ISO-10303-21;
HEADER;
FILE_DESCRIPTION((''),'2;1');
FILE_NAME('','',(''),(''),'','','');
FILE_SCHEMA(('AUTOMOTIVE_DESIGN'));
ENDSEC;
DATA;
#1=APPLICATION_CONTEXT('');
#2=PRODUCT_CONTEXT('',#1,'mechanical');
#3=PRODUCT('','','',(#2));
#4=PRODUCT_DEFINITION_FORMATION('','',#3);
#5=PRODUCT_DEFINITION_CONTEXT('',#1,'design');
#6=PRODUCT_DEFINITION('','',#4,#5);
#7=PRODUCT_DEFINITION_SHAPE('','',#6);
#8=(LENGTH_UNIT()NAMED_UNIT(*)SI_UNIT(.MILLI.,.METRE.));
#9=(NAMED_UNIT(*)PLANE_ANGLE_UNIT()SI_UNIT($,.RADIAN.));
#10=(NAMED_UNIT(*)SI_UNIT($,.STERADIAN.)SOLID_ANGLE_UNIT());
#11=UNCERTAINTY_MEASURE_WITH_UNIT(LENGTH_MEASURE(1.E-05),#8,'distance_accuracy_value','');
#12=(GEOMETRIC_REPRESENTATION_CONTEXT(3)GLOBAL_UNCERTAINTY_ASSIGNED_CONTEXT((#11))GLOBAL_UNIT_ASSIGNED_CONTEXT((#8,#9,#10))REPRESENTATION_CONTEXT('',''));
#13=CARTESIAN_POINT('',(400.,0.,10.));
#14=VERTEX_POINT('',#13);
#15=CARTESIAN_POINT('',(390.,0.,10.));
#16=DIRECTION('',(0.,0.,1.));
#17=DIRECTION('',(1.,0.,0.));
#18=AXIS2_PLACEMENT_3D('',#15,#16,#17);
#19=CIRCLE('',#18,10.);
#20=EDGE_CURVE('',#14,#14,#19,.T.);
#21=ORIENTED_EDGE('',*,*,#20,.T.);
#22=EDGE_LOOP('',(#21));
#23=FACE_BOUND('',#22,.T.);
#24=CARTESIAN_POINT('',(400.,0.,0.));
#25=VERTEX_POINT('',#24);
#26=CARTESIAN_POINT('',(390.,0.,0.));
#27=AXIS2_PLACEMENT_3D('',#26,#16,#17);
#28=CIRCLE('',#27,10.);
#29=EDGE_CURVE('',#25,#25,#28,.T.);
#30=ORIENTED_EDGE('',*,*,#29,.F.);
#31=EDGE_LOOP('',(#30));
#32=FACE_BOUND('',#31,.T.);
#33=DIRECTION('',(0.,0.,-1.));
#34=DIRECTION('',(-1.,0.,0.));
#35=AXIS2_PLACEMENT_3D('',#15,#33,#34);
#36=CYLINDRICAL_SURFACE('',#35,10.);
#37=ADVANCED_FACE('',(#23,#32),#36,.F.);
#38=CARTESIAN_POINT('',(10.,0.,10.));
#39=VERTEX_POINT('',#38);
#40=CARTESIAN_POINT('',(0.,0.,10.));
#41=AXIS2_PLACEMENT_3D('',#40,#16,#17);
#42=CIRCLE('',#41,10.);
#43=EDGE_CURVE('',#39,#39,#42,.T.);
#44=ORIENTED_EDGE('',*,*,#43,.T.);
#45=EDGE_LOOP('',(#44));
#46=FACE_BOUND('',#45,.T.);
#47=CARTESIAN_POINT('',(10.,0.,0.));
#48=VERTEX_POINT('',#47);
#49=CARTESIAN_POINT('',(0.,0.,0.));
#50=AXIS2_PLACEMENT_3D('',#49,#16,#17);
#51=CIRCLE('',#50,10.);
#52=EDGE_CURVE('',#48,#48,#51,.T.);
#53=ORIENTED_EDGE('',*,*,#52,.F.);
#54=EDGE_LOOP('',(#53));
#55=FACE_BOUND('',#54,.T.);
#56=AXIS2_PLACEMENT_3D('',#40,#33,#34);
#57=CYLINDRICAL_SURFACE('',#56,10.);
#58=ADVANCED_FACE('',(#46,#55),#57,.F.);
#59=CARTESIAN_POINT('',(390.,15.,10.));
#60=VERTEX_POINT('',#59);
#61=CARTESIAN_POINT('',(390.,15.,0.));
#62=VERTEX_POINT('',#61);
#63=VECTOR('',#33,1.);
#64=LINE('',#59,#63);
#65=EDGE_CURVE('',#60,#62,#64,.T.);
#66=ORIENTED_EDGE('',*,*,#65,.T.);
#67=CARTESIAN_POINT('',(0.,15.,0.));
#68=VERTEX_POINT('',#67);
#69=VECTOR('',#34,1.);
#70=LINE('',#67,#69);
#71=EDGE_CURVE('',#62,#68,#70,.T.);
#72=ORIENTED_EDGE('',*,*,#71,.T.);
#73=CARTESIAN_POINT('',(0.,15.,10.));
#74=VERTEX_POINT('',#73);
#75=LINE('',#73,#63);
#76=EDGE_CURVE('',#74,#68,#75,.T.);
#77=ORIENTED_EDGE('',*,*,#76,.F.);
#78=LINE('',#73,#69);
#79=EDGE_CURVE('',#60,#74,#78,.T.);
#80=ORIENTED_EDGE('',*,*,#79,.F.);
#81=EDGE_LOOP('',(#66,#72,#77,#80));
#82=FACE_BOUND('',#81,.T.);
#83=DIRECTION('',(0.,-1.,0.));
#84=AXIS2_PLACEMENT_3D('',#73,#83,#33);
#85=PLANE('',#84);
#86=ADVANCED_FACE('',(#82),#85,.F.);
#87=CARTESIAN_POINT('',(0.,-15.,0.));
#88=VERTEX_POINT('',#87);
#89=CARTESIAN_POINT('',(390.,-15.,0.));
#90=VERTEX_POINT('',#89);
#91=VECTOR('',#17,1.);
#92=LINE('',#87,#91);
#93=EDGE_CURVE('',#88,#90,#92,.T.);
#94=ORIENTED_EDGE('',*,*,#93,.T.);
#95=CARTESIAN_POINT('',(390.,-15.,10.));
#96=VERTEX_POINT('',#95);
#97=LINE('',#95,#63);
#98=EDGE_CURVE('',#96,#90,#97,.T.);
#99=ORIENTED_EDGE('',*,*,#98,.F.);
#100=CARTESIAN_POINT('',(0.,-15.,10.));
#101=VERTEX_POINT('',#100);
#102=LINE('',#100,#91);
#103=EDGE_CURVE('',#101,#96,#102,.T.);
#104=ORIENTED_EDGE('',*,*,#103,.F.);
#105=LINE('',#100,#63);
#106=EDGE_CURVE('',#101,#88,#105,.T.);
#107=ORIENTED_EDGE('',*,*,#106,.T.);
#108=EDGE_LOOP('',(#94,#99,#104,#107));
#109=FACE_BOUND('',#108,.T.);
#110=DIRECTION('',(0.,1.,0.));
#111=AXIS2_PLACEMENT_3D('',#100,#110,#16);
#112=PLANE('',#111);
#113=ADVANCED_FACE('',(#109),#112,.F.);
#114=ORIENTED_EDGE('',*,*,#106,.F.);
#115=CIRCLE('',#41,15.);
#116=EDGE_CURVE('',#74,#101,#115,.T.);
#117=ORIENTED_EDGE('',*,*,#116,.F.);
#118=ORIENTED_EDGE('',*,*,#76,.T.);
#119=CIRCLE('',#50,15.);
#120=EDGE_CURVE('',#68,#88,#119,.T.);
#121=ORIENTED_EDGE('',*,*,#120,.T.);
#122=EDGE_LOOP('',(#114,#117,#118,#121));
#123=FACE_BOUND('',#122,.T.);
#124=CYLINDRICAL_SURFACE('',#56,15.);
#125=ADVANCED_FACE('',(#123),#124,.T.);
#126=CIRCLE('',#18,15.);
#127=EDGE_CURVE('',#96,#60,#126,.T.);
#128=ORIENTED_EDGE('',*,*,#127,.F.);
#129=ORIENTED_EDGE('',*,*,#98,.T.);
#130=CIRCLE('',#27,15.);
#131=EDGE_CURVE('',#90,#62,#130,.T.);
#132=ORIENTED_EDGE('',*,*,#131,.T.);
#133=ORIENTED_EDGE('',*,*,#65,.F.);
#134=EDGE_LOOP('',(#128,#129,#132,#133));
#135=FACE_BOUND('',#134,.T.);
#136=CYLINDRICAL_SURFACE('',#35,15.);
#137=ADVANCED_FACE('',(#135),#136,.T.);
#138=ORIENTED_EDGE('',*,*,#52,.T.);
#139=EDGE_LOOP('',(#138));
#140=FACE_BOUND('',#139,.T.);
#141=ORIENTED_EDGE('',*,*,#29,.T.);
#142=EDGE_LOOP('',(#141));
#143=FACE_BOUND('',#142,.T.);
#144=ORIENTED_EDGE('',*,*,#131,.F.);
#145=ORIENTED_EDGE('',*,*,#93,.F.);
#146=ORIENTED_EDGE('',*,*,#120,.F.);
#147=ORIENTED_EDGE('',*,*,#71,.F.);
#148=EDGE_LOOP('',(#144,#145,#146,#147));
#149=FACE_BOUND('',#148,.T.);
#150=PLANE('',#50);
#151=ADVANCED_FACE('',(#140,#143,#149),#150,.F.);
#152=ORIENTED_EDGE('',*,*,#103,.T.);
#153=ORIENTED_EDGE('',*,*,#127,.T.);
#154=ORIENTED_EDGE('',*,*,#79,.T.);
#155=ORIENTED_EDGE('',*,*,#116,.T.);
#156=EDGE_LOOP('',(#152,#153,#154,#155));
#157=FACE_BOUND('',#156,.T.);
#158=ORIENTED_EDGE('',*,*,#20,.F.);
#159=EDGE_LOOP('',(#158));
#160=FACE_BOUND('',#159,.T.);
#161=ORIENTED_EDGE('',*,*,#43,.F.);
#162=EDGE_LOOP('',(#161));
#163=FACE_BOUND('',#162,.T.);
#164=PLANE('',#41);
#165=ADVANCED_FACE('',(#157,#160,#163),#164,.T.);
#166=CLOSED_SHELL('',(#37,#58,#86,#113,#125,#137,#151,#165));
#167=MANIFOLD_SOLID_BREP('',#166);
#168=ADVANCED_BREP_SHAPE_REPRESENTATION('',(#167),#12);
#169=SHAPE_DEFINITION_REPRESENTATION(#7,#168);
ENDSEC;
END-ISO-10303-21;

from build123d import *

# Parameters (mm, degrees)
SKETCH_1_R      = 10
EXTRUDE_1_DEPTH = 10


with BuildPart() as part:
    # Эскиз1 → Бобышка-Вытянуть1 (new body)
    with BuildSketch(Plane.XY):
        with BuildLine():
            Line((0, 15), (390, 15))
            ThreePointArc((390, 15), (405, 0), (390, -15))
            Line((390, -15), (0, -15))
            ThreePointArc((0, -15), (-15, 0), (0, 15))
        make_face()
        Circle(SKETCH_1_R, mode=Mode.SUBTRACT)
        with Locations((390, 0)):
            Circle(SKETCH_1_R, mode=Mode.SUBTRACT)
    extrude(amount=EXTRUDE_1_DEPTH)


solid = part.part
